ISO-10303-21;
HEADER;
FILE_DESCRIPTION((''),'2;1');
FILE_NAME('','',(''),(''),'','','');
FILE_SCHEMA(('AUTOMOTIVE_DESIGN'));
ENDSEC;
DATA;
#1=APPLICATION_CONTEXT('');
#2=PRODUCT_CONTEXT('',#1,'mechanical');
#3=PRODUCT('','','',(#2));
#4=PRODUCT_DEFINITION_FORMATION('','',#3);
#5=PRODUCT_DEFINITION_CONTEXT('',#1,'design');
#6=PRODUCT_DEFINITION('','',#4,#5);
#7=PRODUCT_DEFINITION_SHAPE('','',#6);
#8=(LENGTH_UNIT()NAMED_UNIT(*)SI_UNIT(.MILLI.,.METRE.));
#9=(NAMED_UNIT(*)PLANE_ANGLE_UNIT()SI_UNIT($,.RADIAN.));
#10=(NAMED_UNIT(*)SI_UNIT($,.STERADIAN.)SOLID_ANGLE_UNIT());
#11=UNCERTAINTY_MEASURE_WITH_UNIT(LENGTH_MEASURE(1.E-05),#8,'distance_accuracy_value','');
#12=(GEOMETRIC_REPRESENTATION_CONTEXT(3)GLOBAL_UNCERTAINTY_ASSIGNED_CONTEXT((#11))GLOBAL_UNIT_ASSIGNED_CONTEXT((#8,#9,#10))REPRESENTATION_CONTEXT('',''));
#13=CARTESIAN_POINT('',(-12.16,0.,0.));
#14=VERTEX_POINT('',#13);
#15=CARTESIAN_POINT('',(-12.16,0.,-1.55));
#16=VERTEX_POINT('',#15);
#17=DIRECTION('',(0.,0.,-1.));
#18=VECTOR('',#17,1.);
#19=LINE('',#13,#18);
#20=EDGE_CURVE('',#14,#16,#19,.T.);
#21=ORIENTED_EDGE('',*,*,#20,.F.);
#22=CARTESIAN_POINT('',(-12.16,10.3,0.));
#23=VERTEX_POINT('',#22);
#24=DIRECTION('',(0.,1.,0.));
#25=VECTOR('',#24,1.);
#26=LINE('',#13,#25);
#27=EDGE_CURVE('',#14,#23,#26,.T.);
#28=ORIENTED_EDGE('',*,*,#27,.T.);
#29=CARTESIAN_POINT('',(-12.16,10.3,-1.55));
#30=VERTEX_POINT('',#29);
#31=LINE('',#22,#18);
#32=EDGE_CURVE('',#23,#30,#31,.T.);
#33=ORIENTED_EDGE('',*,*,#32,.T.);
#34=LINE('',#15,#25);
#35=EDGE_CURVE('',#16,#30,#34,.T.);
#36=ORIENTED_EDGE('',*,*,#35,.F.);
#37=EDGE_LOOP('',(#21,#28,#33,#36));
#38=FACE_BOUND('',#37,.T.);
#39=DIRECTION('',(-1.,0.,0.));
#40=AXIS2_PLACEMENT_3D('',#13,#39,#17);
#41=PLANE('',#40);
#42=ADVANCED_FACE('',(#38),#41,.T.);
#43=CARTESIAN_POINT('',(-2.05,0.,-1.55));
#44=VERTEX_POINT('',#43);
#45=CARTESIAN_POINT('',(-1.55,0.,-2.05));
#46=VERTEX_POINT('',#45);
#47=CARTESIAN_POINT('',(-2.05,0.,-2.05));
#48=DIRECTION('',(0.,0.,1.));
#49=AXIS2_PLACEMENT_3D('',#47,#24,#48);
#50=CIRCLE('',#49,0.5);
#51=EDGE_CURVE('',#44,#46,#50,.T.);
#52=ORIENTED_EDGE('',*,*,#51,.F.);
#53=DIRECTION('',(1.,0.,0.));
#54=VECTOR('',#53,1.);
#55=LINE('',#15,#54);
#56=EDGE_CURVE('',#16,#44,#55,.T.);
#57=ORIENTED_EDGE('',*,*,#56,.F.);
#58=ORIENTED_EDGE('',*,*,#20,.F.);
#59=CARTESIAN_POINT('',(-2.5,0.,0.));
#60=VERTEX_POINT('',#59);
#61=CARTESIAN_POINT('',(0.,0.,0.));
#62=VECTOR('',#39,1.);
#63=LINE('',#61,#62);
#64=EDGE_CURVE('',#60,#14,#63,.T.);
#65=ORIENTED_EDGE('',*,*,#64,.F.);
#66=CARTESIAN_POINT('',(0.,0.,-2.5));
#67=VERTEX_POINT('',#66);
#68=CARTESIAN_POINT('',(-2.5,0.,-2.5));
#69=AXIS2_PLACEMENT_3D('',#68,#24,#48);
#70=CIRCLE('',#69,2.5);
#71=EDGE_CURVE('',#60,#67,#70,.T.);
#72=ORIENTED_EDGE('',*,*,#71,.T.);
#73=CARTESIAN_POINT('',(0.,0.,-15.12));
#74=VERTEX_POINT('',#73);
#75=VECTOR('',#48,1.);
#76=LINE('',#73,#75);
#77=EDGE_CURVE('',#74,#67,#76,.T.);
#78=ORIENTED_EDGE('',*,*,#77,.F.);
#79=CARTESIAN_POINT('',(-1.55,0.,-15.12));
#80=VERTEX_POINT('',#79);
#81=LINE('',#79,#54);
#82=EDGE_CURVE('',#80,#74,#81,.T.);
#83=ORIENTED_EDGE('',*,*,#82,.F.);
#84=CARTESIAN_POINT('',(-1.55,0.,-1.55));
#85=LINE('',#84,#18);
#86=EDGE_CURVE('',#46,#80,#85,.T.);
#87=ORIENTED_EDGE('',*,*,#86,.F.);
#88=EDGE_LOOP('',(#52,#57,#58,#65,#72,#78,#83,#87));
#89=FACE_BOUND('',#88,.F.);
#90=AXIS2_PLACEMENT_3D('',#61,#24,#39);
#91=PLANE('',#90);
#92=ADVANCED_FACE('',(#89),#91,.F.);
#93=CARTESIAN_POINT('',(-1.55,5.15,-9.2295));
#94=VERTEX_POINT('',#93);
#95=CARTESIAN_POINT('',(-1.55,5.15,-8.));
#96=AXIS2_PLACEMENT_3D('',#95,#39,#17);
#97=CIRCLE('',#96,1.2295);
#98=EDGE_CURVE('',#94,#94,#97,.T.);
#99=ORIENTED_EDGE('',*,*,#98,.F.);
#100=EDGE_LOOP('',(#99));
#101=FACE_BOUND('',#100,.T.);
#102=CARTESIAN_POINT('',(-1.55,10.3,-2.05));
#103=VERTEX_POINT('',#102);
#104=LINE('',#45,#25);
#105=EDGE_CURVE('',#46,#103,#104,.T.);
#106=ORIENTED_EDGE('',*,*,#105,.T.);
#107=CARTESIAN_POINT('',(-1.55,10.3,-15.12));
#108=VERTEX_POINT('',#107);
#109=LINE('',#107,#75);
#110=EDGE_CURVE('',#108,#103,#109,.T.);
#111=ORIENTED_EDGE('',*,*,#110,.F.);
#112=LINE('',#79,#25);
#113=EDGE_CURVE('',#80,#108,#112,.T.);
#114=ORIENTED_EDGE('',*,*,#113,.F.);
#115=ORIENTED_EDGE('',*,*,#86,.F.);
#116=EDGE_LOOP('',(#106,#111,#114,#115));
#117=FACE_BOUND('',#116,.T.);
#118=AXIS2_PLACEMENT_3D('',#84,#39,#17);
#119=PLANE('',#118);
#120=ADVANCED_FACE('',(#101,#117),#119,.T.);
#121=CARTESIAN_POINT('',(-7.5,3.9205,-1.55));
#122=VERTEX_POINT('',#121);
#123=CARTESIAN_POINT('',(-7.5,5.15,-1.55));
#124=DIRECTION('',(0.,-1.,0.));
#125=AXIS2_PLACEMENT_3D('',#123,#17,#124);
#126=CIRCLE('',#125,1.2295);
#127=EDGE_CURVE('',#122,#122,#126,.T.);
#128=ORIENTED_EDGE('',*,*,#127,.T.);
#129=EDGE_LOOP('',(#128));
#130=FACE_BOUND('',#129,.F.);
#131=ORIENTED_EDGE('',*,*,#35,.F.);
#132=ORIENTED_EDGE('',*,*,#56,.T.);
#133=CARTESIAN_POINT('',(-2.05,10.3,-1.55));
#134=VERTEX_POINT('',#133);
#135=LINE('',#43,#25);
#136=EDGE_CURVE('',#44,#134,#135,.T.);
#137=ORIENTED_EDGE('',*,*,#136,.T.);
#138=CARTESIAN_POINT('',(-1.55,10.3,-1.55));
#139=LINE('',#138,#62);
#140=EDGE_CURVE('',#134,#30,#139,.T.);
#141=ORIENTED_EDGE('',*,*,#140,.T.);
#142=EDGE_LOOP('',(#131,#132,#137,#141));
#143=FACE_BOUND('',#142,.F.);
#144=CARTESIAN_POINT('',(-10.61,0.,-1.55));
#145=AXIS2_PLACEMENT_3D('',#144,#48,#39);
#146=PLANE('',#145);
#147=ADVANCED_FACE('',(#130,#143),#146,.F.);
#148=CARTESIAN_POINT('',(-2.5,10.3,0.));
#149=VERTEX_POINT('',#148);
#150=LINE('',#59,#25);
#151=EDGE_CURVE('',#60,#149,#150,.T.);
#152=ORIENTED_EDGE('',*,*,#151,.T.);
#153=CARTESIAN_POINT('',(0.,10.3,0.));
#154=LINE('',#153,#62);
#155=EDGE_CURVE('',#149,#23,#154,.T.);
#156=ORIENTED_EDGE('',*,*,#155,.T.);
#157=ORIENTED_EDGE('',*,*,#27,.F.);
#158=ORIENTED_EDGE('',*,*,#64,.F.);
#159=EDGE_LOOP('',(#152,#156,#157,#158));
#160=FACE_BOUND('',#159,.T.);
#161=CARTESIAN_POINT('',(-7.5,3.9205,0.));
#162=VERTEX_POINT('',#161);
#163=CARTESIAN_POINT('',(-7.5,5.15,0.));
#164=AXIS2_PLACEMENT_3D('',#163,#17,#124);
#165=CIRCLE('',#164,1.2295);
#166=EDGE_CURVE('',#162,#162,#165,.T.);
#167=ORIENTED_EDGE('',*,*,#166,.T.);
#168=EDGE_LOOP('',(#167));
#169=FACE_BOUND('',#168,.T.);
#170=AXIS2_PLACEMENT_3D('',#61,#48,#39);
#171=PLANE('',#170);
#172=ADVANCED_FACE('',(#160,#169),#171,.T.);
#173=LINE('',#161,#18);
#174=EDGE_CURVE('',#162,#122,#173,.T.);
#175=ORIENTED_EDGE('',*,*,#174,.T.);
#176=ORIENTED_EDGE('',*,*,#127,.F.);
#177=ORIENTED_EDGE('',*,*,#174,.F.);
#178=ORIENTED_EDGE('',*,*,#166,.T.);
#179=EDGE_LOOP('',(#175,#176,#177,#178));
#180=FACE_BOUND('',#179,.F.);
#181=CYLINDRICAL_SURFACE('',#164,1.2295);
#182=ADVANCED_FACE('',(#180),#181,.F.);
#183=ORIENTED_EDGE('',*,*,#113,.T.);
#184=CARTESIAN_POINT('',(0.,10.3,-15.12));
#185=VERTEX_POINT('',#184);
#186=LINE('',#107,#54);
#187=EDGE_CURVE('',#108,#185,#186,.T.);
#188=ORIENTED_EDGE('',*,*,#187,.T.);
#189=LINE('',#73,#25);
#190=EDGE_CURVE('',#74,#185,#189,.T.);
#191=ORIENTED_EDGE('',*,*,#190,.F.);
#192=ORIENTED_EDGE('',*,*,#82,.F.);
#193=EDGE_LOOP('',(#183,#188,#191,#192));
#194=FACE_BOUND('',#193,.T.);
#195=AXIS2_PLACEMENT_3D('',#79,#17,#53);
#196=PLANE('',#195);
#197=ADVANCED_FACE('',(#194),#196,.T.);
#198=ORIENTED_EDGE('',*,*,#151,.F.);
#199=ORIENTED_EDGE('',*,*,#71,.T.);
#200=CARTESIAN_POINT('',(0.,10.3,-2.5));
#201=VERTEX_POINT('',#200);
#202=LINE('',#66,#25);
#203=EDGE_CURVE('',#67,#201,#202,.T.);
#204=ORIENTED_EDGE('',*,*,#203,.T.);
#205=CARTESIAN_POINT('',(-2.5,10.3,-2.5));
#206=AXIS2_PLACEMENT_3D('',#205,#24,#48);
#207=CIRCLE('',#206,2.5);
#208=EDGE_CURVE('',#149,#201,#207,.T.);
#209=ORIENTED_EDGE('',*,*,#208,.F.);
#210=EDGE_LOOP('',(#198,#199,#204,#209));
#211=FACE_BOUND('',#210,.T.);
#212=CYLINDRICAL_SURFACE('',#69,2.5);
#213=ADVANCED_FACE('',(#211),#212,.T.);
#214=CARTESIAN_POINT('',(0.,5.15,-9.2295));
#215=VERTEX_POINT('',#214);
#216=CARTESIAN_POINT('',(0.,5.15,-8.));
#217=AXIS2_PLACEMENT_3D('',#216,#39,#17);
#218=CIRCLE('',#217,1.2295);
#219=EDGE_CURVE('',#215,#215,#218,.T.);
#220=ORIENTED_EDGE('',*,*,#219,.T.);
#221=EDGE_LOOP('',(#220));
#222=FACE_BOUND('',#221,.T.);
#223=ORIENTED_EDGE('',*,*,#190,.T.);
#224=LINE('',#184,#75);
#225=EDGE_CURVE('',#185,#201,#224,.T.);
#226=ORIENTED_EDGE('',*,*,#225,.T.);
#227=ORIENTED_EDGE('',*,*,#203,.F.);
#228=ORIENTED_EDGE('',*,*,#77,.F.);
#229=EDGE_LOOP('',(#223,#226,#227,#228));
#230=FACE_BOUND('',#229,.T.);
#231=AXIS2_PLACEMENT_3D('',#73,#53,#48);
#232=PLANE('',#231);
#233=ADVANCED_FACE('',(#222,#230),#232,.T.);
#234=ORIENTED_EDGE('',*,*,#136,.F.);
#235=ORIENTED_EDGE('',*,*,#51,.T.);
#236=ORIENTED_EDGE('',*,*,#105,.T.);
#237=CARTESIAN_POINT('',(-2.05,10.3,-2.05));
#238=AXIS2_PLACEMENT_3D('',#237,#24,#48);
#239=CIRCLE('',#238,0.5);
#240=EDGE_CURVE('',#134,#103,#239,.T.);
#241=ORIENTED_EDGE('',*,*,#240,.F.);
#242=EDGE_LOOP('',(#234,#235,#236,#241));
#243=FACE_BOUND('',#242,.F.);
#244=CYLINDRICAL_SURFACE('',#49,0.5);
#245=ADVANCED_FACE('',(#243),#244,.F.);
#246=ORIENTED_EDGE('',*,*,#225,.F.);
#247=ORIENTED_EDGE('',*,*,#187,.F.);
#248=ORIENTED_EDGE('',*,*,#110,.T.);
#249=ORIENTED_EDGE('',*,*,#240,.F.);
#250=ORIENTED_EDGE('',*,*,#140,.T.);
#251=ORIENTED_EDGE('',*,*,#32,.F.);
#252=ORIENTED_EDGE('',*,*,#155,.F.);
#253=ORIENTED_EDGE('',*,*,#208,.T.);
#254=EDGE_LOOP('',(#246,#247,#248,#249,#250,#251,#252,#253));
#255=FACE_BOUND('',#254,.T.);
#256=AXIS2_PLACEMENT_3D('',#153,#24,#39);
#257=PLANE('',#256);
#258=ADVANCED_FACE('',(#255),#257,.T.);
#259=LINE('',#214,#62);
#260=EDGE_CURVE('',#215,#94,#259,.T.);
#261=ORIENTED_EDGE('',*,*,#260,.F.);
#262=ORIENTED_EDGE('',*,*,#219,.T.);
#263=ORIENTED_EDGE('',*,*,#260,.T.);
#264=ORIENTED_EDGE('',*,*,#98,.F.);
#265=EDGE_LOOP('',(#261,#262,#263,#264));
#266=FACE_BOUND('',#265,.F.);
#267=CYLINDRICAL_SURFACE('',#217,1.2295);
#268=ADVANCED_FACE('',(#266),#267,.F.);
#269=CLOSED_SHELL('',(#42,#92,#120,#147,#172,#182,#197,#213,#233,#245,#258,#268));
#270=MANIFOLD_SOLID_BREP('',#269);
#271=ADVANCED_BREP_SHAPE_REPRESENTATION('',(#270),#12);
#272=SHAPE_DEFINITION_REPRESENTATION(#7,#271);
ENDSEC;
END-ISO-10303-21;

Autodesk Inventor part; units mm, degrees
ref_plane "YZ Plane" through (0, 0, 0) normal (1, 0, 0) x (0, 1, 0)
ref_plane "XZ Plane" through (0, 0, 0) normal (0, 1, 0) x (-1, 0, 0)
ref_plane "XY Plane" through (0, 0, 0) normal (0, 0, 1) x (1, 0, 0)
sketch "Sketch1" plane through (0, 0, 0) normal (0, 1, 0) x (-1, 0, 0)
  line L0 (0, 0) -> (12.16, 0)
  line L1 (12.16, 0) -> (12.16, -1.55)
  line L2 (1.55, -15.12) -> (0, -15.12)
  line L3 (0, -15.12) -> (0, 0)
  line L4 (10.61, -1.55) -> (1.55, -1.55)
  line L5 (1.55, -1.55) -> (1.55, -13.57)
  line L6 (10.61, -1.55) -> (12.16, -1.55)
  line L7 (1.55, -13.57) -> (1.55, -15.12)
  dimension "d2" = 1.55
  dimension "d3" = 12.16
  dimension "d4" = 15.12
extrude "Extrusion1" add sketch "Sketch1" along normal blind 10.3
sketch "Sketch2" plane through (-12.16, 0, 0) normal (0, 0, 1) x (1, 0, 0)
  line L0 (4.66, 14.5613) -> (4.66, -2.7265)
  line L1 (12.16, 0) -> (12.16, 10.3) projected
  line L2 (-7.6119, 5.15) -> (15.8963, 5.15)
  point P0 (12.16, 5.15)
  point P1 (4.66, 5.15)
  dimension "d7" = 7.5
hole "Hole1" at (-7.5, 5.15, 0) direction (0, 0, -1) diameter 2.459 end through all thread size "M3x0.5" class "6H" standard "ANSI Metric M Profile"
sketch "Sketch3" plane through (0, 0, 0) normal (1, 0, 0) x (0, 0, -1)
  line L0 (-10.3606, 5.15) -> (23.1245, 5.15)
  line L1 (8, 14.2786) -> (8, -6.8061)
  line L2 (0, 0) -> (0, 10.3) projected
  point P0 (0, 5.15)
  point P1 (8, 5.15)
  dimension "d15" = 8
hole "Hole2" at (0, 5.15, -8) direction (-1, 0, 0) diameter 2.459 end through all thread size "M3x0.5" class "6H" standard "ANSI Metric M Profile"
fillet "Fillet1" radius 2.5 1 edges at (0, 5.15, 0)
fillet "Fillet2" radius 0.5 1 edges at (-1.55, 5.15, -1.55)
properties part number "Threaded Right Support Farnell1466885"
